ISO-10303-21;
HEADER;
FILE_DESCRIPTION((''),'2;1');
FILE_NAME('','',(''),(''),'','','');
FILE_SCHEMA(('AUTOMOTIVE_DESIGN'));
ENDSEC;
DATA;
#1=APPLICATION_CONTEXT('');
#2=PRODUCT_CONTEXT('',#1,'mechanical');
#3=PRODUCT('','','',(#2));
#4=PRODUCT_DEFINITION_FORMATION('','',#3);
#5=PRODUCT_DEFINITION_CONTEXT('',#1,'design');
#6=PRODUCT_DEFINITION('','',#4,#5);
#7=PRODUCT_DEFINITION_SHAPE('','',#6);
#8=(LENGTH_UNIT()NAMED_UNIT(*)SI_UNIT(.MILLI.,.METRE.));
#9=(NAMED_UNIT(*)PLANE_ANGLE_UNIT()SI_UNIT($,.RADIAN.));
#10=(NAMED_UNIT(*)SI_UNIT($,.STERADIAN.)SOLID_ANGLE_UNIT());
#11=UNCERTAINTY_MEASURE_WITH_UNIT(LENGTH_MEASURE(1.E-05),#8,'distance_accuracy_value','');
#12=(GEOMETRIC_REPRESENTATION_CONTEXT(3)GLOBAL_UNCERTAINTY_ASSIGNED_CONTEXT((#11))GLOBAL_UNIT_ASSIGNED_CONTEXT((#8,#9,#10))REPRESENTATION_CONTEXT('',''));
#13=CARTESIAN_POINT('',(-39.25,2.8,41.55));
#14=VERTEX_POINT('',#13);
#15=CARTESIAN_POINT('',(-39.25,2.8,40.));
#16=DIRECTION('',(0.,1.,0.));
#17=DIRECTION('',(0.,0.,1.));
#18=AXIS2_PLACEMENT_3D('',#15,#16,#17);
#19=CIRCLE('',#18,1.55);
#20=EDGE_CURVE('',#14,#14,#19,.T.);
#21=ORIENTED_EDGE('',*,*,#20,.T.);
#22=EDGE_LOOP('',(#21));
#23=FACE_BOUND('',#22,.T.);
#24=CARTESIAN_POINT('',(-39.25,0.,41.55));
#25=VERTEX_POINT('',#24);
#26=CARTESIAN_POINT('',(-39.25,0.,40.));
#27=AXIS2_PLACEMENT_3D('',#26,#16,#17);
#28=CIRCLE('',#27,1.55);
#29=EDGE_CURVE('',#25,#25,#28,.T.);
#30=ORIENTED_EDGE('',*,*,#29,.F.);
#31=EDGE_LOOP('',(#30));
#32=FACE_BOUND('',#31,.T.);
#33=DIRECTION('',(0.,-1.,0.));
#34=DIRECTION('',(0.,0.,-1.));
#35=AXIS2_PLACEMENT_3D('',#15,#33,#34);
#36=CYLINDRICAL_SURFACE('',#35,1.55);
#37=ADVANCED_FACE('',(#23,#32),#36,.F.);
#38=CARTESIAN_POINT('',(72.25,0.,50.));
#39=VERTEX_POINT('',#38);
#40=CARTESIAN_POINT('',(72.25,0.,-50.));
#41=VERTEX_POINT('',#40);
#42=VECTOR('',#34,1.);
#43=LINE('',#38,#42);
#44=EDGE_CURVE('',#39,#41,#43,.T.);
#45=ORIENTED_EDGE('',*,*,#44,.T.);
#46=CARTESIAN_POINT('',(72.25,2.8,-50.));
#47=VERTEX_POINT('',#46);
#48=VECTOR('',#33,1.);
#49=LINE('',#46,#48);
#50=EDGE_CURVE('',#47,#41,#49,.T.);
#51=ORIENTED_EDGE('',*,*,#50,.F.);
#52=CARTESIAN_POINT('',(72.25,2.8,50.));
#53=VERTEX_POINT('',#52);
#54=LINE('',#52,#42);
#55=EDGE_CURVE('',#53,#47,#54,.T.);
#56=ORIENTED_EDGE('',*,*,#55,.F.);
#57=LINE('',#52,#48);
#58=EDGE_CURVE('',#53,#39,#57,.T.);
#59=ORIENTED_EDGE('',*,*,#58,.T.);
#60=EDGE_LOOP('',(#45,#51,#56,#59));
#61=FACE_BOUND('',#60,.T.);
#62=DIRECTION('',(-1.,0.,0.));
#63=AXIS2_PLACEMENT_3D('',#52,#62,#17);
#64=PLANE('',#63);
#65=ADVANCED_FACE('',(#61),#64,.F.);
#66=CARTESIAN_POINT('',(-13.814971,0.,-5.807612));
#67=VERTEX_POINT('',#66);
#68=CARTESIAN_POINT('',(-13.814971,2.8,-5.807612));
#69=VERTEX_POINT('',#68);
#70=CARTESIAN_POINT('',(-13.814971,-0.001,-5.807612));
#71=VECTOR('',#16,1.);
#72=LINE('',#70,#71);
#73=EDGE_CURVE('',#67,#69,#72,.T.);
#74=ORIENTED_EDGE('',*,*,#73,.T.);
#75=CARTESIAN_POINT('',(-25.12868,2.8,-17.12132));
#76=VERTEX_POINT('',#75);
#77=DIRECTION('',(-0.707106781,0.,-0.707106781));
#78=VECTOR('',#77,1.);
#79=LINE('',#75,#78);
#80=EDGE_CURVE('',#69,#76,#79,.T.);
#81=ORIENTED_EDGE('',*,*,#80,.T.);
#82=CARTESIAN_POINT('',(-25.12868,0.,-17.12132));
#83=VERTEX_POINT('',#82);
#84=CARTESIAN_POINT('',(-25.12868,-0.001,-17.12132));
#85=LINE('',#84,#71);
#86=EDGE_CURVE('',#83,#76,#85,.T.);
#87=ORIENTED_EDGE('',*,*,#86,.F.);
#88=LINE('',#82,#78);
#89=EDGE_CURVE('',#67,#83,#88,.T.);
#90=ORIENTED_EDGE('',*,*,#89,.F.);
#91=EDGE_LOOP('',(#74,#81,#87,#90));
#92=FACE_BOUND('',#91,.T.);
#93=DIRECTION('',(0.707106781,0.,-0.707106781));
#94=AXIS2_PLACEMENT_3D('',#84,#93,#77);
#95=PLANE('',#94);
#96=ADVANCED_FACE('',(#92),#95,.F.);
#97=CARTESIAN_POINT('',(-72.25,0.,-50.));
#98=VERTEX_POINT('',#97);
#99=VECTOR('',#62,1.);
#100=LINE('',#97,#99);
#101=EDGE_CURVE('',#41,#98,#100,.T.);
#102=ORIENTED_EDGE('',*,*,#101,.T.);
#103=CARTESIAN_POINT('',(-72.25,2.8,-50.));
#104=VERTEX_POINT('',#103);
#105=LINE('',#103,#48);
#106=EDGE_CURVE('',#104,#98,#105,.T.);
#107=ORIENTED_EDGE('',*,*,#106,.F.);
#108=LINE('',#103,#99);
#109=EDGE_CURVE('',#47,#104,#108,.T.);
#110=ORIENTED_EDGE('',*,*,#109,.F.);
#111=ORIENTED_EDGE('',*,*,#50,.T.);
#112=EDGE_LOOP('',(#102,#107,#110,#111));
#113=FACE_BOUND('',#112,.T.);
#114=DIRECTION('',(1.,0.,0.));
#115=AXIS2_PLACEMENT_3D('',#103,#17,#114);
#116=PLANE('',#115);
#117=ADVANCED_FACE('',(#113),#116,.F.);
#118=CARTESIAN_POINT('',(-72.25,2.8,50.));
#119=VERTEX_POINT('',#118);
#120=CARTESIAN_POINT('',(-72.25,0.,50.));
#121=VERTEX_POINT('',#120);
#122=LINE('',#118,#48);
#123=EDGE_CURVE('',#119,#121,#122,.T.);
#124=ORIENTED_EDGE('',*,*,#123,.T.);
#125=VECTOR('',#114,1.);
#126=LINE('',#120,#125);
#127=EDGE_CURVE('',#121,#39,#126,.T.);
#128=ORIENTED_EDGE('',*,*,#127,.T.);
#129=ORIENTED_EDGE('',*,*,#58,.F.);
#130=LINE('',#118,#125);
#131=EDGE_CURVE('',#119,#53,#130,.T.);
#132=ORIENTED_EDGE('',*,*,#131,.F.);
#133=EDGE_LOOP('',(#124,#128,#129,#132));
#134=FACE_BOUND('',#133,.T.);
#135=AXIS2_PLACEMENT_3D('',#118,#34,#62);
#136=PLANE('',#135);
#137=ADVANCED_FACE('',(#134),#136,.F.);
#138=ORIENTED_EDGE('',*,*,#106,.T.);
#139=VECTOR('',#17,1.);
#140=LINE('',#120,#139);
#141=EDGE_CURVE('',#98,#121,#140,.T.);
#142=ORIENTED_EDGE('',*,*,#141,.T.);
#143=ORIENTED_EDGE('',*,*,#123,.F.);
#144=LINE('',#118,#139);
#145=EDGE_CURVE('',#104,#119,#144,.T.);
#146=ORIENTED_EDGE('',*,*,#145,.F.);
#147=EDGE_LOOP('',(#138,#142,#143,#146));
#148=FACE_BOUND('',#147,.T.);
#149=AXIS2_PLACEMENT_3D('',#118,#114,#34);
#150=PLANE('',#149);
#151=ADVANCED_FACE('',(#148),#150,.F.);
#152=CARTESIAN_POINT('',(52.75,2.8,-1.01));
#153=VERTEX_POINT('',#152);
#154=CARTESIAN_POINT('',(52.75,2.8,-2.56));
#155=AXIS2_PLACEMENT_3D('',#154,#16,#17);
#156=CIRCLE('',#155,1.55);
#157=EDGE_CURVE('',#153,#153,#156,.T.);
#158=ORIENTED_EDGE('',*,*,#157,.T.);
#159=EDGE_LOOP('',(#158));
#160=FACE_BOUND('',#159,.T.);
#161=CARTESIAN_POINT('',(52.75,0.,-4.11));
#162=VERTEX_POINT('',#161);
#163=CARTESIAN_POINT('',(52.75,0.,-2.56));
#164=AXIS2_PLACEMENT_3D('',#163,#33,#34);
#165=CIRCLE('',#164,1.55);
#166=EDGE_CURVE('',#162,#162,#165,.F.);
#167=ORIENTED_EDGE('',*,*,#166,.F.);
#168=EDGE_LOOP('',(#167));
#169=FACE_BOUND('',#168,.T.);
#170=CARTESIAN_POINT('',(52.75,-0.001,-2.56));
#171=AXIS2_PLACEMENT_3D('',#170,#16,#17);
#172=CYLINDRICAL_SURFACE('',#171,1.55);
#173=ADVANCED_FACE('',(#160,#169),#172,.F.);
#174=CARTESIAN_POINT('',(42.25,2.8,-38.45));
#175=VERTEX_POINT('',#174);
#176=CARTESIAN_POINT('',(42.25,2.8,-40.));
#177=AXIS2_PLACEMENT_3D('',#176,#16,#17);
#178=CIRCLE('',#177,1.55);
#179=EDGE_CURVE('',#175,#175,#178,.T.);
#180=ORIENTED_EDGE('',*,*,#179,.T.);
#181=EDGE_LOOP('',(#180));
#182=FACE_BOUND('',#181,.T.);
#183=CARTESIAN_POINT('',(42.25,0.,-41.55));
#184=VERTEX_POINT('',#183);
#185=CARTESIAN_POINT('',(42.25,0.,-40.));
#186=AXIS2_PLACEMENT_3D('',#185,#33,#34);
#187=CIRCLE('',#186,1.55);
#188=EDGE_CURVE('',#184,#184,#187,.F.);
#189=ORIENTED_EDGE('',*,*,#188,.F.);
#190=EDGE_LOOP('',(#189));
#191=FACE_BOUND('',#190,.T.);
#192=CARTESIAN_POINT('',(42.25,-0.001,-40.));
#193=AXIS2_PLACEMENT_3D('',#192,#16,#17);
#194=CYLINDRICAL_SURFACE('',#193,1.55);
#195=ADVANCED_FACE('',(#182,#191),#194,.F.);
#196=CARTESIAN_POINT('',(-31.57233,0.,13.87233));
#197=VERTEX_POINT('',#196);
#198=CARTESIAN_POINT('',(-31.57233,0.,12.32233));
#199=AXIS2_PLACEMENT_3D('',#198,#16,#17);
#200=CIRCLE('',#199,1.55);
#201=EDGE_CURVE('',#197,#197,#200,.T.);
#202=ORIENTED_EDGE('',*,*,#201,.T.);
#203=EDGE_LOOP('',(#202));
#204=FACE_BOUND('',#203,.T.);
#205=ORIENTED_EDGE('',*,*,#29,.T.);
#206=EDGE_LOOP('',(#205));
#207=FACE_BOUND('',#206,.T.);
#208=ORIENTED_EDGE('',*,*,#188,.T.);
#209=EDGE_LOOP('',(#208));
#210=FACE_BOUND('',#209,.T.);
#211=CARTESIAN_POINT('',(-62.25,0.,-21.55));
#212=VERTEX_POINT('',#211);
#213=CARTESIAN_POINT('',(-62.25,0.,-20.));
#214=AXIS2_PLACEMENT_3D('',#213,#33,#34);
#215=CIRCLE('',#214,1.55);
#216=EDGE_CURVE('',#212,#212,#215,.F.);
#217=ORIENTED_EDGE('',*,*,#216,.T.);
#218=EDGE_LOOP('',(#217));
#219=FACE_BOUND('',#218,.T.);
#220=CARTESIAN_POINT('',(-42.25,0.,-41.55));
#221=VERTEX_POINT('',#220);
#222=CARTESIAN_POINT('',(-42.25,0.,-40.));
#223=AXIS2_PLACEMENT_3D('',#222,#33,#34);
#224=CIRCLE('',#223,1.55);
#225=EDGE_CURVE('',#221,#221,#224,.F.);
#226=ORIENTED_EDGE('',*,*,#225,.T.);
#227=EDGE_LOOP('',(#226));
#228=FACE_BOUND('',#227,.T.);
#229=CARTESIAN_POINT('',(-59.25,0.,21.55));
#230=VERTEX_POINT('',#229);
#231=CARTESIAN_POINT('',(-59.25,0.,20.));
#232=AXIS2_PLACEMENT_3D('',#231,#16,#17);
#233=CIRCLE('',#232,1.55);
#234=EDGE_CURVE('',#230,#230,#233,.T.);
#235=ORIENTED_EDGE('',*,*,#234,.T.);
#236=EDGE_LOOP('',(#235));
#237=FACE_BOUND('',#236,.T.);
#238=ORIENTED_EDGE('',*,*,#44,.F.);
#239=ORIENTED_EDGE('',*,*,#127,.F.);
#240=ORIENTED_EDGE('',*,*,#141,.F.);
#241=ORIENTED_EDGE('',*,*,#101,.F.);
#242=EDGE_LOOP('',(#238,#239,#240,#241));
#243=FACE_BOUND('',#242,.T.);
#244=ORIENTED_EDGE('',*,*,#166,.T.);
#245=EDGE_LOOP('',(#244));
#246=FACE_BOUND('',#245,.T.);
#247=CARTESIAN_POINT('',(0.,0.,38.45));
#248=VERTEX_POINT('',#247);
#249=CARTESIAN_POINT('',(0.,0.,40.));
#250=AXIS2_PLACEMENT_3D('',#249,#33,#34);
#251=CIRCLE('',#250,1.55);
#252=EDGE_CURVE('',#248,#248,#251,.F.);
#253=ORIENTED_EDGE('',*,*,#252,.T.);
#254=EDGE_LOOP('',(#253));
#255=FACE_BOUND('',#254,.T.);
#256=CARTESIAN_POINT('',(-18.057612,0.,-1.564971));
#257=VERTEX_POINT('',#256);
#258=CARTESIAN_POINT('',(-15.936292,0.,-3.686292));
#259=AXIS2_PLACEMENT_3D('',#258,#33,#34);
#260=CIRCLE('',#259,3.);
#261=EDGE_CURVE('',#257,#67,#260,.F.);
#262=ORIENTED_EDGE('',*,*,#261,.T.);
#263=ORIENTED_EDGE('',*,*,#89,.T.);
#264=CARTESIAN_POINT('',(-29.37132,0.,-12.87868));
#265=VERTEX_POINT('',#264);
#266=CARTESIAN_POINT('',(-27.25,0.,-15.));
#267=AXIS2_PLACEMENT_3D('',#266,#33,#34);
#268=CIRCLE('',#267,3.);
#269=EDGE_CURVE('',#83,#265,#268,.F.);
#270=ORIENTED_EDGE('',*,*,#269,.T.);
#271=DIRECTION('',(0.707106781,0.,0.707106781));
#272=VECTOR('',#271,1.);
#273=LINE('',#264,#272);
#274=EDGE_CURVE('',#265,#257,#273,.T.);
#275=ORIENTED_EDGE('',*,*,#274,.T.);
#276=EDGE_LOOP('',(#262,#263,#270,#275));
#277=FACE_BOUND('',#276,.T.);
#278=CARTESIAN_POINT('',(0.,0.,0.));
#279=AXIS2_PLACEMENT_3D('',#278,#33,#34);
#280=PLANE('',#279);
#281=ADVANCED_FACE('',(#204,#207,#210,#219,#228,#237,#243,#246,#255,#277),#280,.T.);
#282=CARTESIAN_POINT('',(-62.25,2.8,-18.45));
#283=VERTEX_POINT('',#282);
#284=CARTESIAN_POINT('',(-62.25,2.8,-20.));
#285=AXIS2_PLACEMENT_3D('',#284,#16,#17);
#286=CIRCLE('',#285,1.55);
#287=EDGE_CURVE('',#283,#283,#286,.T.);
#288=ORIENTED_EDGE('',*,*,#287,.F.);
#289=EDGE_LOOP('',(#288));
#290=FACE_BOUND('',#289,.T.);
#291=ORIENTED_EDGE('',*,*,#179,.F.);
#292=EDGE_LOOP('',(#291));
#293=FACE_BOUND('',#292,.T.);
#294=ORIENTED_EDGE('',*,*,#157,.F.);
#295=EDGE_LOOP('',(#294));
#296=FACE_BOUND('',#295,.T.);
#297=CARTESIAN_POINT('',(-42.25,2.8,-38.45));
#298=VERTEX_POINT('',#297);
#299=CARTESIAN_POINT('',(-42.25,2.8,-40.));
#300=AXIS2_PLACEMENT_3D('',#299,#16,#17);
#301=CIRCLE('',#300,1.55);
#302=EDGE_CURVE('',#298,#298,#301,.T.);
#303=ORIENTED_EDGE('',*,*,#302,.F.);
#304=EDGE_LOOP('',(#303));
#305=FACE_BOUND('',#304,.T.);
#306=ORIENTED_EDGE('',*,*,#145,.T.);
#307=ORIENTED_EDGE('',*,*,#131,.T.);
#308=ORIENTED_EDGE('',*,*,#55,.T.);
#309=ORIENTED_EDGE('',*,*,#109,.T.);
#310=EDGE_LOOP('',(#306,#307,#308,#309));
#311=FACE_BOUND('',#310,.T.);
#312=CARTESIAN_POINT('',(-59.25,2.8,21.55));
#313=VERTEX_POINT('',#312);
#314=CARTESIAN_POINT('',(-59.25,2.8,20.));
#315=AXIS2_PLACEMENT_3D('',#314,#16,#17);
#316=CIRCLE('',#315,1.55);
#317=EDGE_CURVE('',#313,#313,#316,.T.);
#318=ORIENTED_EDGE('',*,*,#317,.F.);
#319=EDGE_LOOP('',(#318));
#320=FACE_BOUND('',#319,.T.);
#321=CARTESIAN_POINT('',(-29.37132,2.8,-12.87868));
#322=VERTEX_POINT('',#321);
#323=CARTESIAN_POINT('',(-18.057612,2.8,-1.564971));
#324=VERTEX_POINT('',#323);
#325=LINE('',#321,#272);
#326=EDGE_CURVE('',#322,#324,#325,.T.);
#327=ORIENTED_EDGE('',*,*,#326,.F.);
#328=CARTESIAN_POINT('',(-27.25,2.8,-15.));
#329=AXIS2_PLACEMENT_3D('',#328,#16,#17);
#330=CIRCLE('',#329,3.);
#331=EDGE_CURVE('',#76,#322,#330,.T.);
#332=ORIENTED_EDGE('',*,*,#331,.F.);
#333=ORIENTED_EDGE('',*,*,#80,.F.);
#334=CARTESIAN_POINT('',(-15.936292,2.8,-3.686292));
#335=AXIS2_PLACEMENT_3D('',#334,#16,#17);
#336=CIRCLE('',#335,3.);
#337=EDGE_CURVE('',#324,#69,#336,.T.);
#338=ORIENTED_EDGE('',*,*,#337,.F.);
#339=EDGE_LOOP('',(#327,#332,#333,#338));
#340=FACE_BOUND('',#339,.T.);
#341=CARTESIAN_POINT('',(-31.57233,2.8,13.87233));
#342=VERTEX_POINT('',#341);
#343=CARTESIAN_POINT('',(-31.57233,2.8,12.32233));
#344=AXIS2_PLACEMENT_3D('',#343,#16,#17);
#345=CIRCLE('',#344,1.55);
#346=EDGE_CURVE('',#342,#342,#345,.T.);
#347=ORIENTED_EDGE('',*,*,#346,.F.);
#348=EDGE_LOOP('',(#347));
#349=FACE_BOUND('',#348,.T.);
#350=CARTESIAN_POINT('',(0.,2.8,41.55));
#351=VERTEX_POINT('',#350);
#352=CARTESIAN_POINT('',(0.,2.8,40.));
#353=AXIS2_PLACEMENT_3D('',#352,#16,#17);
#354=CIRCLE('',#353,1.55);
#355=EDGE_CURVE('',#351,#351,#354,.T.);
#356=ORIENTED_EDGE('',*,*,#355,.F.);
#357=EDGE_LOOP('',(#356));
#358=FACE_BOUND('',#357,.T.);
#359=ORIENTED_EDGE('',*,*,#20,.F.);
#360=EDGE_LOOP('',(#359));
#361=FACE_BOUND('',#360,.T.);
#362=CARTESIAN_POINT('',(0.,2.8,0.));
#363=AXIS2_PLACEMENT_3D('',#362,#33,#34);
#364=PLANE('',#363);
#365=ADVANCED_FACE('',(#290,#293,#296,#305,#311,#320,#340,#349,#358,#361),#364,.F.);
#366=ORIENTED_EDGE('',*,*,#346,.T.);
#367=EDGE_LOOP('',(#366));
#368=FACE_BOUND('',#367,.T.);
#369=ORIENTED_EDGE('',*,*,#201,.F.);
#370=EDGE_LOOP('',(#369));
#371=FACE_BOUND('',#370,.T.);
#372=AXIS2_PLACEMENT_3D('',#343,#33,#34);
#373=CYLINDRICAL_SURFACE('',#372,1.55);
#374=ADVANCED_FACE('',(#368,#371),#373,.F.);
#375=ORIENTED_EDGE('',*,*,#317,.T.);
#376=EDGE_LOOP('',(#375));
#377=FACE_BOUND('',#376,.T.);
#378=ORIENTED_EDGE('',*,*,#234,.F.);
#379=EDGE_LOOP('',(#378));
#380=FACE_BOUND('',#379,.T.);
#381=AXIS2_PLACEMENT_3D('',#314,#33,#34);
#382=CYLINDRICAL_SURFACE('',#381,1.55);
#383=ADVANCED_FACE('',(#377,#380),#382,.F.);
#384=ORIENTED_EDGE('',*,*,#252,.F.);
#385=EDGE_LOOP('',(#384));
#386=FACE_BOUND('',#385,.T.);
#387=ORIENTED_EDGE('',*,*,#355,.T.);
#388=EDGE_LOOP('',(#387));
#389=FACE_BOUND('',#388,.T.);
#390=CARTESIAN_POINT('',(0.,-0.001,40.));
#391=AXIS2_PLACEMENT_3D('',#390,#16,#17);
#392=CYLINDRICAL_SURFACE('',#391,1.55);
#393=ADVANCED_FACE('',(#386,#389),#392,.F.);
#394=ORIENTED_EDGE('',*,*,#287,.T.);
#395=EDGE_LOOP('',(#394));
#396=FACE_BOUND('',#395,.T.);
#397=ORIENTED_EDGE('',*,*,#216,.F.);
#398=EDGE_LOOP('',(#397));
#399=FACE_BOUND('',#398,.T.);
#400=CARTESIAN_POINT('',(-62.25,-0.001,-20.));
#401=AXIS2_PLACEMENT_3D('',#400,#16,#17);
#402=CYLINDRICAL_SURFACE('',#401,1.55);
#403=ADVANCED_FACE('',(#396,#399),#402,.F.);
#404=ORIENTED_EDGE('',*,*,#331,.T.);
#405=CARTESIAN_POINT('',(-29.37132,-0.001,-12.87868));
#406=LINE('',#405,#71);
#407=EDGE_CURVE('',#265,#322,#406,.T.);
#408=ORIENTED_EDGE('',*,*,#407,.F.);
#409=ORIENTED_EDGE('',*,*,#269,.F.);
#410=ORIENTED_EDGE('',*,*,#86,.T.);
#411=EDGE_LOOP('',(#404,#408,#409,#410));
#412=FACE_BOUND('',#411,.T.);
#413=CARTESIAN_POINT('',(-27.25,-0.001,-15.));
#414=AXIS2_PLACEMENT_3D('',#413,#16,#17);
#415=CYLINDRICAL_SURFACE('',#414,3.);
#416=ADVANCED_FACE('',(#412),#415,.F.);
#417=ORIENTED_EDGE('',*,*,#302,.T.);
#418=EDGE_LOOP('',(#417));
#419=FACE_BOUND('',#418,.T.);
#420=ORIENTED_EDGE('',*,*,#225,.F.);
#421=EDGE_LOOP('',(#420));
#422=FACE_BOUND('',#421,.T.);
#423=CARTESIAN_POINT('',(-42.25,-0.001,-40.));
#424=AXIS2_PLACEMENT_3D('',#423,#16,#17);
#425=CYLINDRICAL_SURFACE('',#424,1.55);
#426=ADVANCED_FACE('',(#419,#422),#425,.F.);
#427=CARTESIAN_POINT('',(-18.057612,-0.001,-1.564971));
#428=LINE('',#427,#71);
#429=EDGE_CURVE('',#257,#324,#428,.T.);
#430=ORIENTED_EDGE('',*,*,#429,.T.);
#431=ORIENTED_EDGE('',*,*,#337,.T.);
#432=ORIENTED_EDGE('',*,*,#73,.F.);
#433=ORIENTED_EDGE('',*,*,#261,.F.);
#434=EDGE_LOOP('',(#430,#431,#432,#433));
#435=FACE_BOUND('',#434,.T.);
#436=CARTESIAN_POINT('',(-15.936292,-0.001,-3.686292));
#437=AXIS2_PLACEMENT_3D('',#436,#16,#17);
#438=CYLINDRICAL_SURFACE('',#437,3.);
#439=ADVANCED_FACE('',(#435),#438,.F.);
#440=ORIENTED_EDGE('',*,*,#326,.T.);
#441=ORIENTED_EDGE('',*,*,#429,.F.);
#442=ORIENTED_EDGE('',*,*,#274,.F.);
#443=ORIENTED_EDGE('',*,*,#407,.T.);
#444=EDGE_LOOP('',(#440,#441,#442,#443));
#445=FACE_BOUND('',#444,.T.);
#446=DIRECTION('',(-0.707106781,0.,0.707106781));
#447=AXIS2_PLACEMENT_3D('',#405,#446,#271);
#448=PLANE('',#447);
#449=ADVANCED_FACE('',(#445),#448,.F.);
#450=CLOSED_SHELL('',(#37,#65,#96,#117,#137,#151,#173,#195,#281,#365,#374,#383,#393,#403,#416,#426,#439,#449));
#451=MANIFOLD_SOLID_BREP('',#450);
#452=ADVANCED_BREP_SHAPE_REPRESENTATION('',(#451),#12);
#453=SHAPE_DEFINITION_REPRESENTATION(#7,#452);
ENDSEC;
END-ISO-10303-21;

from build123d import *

# Parameters (mm, degrees)
SKETCH1_W           = 144.5
SKETCH1_H           = 100
SKETCH1_R           = 1.55
BOSS_EXTRUDE1_DEPTH = 2.8
CUT_EXTRUDE1_REACH  = 4.8
CUT_EXTRUDE2_REACH  = 4.8
SKETCH3_R           = 1.55
CUT_EXTRUDE3_REACH  = 4.8
SKETCH4_R           = 1.55


with BuildPart() as part:
    # Sketch1 → Boss-Extrude1 (new body)
    with BuildSketch(Plane(origin=(0, 0, 0), x_dir=(1, 0, 0), z_dir=(0, 1, 0))):
        Rectangle(SKETCH1_W, SKETCH1_H)
        with Locations((-59.25, -20)):
            Circle(SKETCH1_R, mode=Mode.SUBTRACT)
        with Locations((-39.25, -40)):
            Circle(SKETCH1_R, mode=Mode.SUBTRACT)
        with Locations((-31.57233047, -12.32233047)):
            Circle(SKETCH1_R, mode=Mode.SUBTRACT)
    extrude(amount=BOSS_EXTRUDE1_DEPTH)

    # Sketch2 → Cut-Extrude1 (cut, up to next)
    with BuildSketch(Plane(origin=(0, 2.8, 0), x_dir=(1, 0, 0), z_dir=(0, 1, 0)), mode=Mode.PRIVATE) as cut_extrude1_sk1:
        with BuildLine():
            Line((-25.128679656, 17.121320344), (-13.814971157, 5.807611845))
            ThreePointArc((-13.814971157, 5.807611845), (-13.814971157, 1.564971157), (-18.057611845, 1.564971157))
            Line((-18.057611845, 1.564971157), (-29.371320344, 12.878679656))
            ThreePointArc((-29.371320344, 12.878679656), (-29.371320344, 17.121320344), (-25.128679656, 17.121320344))
        make_face()
    cut_extrude1_tool1 = extrude(cut_extrude1_sk1.sketch, amount=-CUT_EXTRUDE1_REACH, mode=Mode.PRIVATE) & part.part
    add(cut_extrude1_tool1.solids().sort_by_distance((-21.593146, 2.8, -9.343146))[0], mode=Mode.SUBTRACT)

    # Sketch3 → Cut-Extrude2 (cut, up to next)
    with BuildSketch(Plane(origin=(0, 2.8, 0), x_dir=(1, 0, 0), z_dir=(0, 1, 0)), mode=Mode.PRIVATE) as cut_extrude2_sk1:
        with Locations((-62.25, 20)):
            Circle(SKETCH3_R)
    cut_extrude2_tool1 = extrude(cut_extrude2_sk1.sketch, amount=-CUT_EXTRUDE2_REACH, mode=Mode.PRIVATE) & part.part
    add(cut_extrude2_tool1.solids().sort_by_distance((-62.25, 2.8, -20))[0], mode=Mode.SUBTRACT)
    # Sketch3 → Cut-Extrude2 (cut, up to next)
    with BuildSketch(Plane(origin=(0, 2.8, 0), x_dir=(1, 0, 0), z_dir=(0, 1, 0)), mode=Mode.PRIVATE) as cut_extrude2_sk2:
        with Locations((-42.25, 40)):
            Circle(SKETCH3_R)
    cut_extrude2_tool2 = extrude(cut_extrude2_sk2.sketch, amount=-CUT_EXTRUDE2_REACH, mode=Mode.PRIVATE) & part.part
    add(cut_extrude2_tool2.solids().sort_by_distance((-42.25, 2.8, -40))[0], mode=Mode.SUBTRACT)
    # Sketch3 → Cut-Extrude2 (cut, up to next)
    with BuildSketch(Plane(origin=(0, 2.8, 0), x_dir=(1, 0, 0), z_dir=(0, 1, 0)), mode=Mode.PRIVATE) as cut_extrude2_sk3:
        with Locations((42.25, 40)):
            Circle(SKETCH3_R)
    cut_extrude2_tool3 = extrude(cut_extrude2_sk3.sketch, amount=-CUT_EXTRUDE2_REACH, mode=Mode.PRIVATE) & part.part
    add(cut_extrude2_tool3.solids().sort_by_distance((42.25, 2.8, -40))[0], mode=Mode.SUBTRACT)
    # Sketch3 → Cut-Extrude2 (cut, up to next)
    with BuildSketch(Plane(origin=(0, 2.8, 0), x_dir=(1, 0, 0), z_dir=(0, 1, 0)), mode=Mode.PRIVATE) as cut_extrude2_sk4:
        with Locations((0, -40)):
            Circle(SKETCH3_R)
    cut_extrude2_tool4 = extrude(cut_extrude2_sk4.sketch, amount=-CUT_EXTRUDE2_REACH, mode=Mode.PRIVATE) & part.part
    add(cut_extrude2_tool4.solids().sort_by_distance((0, 2.8, 40))[0], mode=Mode.SUBTRACT)

    # Sketch4 → Cut-Extrude3 (cut, up to next)
    with BuildSketch(Plane(origin=(0, 2.8, 0), x_dir=(1, 0, 0), z_dir=(0, 1, 0)), mode=Mode.PRIVATE) as cut_extrude3_sk1:
        with Locations((52.75, 2.56)):
            Circle(SKETCH4_R)
    cut_extrude3_tool1 = extrude(cut_extrude3_sk1.sketch, amount=-CUT_EXTRUDE3_REACH, mode=Mode.PRIVATE) & part.part
    add(cut_extrude3_tool1.solids().sort_by_distance((52.75, 2.8, -2.56))[0], mode=Mode.SUBTRACT)


solid = part.part
